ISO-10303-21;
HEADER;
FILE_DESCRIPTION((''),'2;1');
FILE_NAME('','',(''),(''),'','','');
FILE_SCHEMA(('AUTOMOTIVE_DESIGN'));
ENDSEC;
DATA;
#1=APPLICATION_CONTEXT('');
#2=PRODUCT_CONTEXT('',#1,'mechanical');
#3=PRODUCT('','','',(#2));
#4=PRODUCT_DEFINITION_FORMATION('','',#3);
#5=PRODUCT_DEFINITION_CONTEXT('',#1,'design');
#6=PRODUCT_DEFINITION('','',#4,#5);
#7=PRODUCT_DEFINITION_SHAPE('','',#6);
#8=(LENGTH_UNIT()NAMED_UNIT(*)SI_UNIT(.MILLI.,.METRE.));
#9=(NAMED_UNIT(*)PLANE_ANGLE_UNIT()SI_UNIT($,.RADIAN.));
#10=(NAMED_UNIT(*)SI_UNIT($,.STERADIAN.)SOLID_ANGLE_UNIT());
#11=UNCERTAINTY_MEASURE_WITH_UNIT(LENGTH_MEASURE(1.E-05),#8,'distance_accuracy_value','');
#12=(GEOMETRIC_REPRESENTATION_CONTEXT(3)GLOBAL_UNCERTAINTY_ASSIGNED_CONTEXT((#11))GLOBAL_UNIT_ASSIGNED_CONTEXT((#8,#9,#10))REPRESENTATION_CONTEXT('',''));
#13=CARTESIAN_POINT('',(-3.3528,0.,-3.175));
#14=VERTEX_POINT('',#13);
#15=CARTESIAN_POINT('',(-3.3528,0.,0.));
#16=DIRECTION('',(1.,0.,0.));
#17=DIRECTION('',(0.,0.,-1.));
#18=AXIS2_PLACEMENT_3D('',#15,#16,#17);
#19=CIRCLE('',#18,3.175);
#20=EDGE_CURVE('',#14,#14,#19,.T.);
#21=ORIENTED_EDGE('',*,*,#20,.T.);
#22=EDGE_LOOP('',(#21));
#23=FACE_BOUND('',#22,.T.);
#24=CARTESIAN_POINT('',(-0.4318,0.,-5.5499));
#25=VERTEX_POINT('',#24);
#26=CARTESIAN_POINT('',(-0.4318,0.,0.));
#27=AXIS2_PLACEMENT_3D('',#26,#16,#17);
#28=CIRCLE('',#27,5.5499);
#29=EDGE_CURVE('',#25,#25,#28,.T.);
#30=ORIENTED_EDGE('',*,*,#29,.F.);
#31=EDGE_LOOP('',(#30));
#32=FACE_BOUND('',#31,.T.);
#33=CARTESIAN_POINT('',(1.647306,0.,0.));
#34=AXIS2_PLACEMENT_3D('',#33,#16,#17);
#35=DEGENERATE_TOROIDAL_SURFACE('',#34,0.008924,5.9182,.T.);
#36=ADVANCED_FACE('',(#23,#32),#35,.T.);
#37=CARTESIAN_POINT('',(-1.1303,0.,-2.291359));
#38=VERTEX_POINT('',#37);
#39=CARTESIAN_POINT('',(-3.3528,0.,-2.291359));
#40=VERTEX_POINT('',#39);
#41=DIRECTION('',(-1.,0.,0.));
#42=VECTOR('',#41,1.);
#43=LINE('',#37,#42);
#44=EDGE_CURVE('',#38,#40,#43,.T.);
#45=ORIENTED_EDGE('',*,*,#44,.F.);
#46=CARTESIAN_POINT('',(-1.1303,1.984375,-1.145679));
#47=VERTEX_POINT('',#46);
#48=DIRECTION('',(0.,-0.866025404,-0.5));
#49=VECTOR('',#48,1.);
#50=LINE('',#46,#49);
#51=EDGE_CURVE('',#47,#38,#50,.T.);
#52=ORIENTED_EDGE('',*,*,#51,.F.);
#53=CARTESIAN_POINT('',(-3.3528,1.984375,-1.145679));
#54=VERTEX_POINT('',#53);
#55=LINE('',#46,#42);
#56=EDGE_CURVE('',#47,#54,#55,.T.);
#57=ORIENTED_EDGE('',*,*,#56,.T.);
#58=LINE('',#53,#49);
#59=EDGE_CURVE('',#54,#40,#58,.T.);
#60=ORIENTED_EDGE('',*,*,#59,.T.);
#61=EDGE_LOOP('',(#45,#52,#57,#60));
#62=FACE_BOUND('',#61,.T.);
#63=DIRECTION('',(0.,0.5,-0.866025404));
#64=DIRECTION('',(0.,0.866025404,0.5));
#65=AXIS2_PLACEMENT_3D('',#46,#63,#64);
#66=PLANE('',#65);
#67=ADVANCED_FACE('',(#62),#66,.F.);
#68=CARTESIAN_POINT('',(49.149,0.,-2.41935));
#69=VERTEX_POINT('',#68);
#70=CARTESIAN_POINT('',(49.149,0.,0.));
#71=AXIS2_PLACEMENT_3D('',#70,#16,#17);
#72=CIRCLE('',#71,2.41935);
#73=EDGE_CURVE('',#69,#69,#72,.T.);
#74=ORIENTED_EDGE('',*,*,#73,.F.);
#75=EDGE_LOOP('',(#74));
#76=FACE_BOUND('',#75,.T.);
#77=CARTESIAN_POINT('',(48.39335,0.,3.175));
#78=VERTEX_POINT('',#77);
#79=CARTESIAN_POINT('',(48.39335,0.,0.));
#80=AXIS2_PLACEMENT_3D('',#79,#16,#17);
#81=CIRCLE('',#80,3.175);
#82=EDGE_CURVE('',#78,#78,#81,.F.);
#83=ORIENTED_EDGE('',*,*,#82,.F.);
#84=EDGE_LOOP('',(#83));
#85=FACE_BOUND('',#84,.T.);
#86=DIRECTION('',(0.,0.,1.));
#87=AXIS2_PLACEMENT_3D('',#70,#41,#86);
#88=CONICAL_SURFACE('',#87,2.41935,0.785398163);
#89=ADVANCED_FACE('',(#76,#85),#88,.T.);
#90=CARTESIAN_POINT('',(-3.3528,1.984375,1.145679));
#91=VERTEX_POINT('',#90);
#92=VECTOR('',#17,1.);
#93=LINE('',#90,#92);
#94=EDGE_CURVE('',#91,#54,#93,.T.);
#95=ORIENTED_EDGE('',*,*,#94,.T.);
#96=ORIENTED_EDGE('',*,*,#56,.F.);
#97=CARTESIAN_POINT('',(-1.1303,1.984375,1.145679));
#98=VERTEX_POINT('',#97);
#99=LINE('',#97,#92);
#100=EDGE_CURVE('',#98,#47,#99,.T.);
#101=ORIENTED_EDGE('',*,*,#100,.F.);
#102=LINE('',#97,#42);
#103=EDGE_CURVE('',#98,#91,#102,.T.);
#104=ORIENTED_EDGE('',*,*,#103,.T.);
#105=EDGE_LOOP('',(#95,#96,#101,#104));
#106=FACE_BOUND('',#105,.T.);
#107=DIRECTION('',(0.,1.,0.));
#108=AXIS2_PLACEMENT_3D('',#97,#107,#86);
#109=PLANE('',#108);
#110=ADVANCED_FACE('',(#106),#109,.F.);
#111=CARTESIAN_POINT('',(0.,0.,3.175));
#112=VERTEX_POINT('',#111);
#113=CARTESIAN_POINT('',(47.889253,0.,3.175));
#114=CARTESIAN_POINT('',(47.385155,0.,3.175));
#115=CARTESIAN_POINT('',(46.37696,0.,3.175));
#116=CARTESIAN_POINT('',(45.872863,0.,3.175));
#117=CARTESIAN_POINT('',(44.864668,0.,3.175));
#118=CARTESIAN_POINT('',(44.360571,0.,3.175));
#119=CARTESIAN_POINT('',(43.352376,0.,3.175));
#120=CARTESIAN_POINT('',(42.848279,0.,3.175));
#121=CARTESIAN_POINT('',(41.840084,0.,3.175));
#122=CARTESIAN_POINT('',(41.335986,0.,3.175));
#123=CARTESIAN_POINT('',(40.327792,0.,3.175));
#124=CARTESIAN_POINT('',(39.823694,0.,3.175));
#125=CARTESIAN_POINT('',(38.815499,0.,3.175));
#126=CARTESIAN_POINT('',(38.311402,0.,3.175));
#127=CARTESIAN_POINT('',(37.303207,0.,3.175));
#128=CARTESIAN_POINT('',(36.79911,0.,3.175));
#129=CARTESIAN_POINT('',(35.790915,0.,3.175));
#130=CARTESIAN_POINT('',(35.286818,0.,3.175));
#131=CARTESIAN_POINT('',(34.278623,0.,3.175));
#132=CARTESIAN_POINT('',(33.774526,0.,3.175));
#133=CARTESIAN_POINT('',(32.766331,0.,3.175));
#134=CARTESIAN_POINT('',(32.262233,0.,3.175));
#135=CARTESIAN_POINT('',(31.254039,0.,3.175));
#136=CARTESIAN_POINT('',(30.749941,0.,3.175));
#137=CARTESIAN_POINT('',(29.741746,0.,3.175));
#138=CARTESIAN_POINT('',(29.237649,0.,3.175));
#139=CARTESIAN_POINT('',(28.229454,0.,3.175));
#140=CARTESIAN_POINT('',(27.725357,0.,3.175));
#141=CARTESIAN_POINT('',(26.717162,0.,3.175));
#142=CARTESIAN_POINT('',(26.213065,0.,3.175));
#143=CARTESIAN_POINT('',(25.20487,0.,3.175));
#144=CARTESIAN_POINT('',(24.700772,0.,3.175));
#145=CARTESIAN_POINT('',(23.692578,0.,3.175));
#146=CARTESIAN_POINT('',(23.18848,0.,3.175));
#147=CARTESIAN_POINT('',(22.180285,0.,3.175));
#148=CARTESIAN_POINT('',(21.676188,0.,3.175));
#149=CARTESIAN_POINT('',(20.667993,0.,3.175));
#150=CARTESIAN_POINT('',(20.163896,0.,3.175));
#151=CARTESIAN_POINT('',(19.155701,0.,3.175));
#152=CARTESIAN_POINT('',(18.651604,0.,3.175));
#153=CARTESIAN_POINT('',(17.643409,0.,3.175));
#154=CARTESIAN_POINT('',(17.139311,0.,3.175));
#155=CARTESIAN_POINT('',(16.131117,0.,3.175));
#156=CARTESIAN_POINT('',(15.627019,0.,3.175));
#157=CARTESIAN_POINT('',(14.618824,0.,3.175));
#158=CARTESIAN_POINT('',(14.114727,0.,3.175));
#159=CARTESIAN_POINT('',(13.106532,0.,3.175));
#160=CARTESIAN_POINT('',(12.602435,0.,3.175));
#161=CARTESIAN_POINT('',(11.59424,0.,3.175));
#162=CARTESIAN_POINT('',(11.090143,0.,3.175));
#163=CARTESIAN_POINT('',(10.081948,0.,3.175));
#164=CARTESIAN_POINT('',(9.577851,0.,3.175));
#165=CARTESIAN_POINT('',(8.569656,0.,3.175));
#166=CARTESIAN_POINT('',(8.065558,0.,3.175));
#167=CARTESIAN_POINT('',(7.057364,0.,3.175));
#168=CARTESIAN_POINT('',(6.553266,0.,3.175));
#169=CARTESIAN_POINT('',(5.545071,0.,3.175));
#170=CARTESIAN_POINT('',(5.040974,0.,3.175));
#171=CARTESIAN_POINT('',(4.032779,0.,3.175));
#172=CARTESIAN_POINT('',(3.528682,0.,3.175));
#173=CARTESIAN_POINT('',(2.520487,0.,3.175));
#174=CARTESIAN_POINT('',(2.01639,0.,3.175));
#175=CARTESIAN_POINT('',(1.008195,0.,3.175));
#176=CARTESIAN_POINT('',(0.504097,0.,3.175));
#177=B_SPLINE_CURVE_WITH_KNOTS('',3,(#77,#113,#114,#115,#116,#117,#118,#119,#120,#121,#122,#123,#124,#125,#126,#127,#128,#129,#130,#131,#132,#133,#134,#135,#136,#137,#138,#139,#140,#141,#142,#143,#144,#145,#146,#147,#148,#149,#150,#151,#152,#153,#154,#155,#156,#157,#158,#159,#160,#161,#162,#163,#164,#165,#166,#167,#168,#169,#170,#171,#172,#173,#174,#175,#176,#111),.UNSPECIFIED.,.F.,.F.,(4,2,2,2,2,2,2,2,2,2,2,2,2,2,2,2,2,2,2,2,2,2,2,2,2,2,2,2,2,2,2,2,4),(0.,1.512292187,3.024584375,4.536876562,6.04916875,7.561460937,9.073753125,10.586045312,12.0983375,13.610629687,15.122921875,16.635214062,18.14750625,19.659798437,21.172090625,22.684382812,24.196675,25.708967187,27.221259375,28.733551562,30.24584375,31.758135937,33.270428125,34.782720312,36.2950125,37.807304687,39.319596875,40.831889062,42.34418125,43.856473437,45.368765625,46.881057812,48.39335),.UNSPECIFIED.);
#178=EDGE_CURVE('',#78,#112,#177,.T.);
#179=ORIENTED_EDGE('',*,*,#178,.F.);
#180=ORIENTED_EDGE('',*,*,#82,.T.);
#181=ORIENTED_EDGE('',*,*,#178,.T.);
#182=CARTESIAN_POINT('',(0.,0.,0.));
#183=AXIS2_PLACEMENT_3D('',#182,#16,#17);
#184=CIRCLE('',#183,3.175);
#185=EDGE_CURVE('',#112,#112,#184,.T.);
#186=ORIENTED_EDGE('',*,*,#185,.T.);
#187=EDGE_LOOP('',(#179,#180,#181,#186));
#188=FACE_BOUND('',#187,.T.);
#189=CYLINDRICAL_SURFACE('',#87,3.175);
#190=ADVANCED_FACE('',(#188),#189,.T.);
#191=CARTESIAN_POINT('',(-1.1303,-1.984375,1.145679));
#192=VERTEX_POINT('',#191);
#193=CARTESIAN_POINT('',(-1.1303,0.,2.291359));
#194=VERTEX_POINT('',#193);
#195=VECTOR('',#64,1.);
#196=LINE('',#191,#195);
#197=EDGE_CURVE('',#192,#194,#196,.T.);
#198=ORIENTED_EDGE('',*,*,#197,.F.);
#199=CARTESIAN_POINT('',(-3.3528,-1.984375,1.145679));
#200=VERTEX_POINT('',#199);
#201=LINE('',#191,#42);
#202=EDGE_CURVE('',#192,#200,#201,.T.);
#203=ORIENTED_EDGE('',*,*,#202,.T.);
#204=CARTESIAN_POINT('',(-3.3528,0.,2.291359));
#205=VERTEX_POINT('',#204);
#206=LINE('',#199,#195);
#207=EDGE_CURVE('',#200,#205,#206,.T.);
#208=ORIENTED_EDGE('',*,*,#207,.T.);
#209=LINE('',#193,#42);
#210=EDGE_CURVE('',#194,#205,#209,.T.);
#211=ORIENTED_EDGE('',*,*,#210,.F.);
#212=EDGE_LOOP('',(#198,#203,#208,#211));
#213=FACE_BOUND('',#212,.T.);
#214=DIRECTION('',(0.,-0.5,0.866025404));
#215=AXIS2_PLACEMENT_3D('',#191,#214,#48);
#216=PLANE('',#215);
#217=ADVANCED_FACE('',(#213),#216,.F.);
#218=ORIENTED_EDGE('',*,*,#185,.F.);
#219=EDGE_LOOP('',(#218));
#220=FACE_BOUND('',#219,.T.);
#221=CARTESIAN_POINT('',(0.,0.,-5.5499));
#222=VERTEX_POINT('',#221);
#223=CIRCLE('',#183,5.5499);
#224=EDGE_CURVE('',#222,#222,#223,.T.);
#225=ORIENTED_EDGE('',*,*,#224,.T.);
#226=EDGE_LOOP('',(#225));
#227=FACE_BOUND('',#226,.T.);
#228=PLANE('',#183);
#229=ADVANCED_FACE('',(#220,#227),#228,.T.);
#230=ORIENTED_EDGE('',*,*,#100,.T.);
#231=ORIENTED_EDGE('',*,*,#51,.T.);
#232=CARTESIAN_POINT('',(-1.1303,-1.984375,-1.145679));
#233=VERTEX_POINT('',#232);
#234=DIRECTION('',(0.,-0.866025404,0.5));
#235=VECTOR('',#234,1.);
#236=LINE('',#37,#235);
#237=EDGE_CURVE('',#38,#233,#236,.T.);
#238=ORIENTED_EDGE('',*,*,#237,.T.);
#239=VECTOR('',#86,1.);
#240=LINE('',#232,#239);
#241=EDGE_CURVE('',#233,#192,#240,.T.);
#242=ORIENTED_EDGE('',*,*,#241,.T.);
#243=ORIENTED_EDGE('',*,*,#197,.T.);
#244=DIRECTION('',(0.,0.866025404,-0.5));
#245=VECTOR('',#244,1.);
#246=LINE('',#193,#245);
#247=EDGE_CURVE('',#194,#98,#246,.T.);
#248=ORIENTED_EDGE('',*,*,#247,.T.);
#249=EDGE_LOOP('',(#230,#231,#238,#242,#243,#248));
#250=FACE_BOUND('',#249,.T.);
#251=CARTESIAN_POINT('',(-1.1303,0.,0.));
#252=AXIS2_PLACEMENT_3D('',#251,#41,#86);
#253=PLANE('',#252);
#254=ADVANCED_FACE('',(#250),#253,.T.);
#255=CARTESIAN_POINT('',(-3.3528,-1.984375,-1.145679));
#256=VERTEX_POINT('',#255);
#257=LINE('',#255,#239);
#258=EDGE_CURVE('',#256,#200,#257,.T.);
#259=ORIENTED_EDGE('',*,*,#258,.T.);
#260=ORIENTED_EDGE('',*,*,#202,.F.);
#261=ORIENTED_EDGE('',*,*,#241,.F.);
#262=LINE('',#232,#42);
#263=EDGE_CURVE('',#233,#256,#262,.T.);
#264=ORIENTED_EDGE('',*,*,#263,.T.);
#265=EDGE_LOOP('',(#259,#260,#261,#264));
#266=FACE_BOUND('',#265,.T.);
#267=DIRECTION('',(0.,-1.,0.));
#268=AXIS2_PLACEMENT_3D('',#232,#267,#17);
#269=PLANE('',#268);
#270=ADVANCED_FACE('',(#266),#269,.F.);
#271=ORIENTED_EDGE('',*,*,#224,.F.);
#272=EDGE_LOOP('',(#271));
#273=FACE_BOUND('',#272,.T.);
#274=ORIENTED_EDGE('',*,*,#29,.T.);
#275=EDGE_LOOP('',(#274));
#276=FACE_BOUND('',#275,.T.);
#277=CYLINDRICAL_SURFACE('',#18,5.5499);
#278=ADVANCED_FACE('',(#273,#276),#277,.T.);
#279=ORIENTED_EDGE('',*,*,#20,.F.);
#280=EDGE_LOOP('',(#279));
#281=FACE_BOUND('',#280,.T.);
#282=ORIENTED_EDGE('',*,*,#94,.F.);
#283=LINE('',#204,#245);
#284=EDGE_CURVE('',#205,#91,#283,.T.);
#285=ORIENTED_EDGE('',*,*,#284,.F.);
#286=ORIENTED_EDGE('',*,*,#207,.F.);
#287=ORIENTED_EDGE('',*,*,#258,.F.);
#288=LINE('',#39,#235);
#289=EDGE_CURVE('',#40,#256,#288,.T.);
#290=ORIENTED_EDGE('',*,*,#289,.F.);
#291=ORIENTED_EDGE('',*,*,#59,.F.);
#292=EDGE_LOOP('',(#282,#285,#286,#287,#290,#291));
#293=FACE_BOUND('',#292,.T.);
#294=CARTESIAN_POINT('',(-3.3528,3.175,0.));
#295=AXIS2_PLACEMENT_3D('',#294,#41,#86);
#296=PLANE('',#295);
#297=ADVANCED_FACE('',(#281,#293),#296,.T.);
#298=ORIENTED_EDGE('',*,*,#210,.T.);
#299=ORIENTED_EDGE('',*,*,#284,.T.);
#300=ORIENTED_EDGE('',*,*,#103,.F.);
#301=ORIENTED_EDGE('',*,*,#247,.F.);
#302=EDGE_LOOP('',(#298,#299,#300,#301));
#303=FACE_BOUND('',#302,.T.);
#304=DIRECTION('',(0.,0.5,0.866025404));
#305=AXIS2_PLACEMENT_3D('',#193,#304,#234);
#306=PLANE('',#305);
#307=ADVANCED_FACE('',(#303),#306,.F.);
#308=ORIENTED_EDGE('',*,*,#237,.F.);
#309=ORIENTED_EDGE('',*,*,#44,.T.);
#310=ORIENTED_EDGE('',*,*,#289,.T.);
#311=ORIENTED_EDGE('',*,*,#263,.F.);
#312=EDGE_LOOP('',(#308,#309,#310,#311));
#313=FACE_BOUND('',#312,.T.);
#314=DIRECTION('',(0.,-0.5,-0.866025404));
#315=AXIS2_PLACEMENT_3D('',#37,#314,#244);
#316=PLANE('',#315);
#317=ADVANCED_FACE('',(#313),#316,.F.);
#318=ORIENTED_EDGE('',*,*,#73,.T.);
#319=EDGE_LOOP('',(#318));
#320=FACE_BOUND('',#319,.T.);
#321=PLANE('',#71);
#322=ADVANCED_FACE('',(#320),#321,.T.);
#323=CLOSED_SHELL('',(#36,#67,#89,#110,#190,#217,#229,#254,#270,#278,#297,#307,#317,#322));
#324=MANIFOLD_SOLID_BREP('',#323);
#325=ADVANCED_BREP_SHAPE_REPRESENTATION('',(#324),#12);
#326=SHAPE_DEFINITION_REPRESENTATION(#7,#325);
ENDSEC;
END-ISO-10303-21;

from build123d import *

# Parameters (mm, degrees)
SKETCH2_R           = 3.175
BOSS_EXTRUDE1_DEPTH = 49.149
CUT_EXTRUDE1_DEPTH  = 2.2225
CHAMFER1_SIZE       = 0.75565


with BuildPart() as part:
    # Sketch1 → Revolve1 (revolve)
    with BuildSketch(Plane.XY, mode=Mode.PRIVATE) as revolve1_sk:
        with BuildLine():
            Line((-3.3528, 3.175), (-3.3528, 0))
            Line((-3.3528, 0), (0, 0))
            Line((0, 0), (0, 5.5499))
            Line((0, 5.5499), (-0.4318, 5.5499))
            ThreePointArc((-0.4318, 5.5499), (-2.086170702, 4.600900596), (-3.3528, 3.175))
        make_face()
    revolve(revolve1_sk.sketch.rotate(Axis((-3.3528, 0, 0), (1, 0, 0)), 270), axis=Axis((-3.3528, 0, 0), (1, 0, 0)))

    # Sketch2 → Boss-Extrude1 (add)
    with BuildSketch(Plane(origin=(0, 0, 0), x_dir=(0, 0, -1), z_dir=(1, 0, 0))):
        with Locations(Location((0, 0, 0), (0, 0, 180))):
            Circle(SKETCH2_R)
    extrude(amount=BOSS_EXTRUDE1_DEPTH)

    # Sketch3 → Cut-Extrude1 (cut)
    with BuildSketch(Plane.ZY.offset(3.3528)):
        Polygon((2.291358881, 0), (1.14567944, 1.984375), (-1.14567944, 1.984375), (-2.291358881, 0), (-1.14567944, -1.984375), (1.14567944, -1.984375), align=None)
    extrude(amount=-CUT_EXTRUDE1_DEPTH, mode=Mode.SUBTRACT)

    # Chamfer1
    chamfer1_edges = [part.edges().sort_by_distance(p)[0] for p in [
        (49.149, 0, -3.175),
    ]]
    chamfer(chamfer1_edges, length=CHAMFER1_SIZE)


solid = part.part
